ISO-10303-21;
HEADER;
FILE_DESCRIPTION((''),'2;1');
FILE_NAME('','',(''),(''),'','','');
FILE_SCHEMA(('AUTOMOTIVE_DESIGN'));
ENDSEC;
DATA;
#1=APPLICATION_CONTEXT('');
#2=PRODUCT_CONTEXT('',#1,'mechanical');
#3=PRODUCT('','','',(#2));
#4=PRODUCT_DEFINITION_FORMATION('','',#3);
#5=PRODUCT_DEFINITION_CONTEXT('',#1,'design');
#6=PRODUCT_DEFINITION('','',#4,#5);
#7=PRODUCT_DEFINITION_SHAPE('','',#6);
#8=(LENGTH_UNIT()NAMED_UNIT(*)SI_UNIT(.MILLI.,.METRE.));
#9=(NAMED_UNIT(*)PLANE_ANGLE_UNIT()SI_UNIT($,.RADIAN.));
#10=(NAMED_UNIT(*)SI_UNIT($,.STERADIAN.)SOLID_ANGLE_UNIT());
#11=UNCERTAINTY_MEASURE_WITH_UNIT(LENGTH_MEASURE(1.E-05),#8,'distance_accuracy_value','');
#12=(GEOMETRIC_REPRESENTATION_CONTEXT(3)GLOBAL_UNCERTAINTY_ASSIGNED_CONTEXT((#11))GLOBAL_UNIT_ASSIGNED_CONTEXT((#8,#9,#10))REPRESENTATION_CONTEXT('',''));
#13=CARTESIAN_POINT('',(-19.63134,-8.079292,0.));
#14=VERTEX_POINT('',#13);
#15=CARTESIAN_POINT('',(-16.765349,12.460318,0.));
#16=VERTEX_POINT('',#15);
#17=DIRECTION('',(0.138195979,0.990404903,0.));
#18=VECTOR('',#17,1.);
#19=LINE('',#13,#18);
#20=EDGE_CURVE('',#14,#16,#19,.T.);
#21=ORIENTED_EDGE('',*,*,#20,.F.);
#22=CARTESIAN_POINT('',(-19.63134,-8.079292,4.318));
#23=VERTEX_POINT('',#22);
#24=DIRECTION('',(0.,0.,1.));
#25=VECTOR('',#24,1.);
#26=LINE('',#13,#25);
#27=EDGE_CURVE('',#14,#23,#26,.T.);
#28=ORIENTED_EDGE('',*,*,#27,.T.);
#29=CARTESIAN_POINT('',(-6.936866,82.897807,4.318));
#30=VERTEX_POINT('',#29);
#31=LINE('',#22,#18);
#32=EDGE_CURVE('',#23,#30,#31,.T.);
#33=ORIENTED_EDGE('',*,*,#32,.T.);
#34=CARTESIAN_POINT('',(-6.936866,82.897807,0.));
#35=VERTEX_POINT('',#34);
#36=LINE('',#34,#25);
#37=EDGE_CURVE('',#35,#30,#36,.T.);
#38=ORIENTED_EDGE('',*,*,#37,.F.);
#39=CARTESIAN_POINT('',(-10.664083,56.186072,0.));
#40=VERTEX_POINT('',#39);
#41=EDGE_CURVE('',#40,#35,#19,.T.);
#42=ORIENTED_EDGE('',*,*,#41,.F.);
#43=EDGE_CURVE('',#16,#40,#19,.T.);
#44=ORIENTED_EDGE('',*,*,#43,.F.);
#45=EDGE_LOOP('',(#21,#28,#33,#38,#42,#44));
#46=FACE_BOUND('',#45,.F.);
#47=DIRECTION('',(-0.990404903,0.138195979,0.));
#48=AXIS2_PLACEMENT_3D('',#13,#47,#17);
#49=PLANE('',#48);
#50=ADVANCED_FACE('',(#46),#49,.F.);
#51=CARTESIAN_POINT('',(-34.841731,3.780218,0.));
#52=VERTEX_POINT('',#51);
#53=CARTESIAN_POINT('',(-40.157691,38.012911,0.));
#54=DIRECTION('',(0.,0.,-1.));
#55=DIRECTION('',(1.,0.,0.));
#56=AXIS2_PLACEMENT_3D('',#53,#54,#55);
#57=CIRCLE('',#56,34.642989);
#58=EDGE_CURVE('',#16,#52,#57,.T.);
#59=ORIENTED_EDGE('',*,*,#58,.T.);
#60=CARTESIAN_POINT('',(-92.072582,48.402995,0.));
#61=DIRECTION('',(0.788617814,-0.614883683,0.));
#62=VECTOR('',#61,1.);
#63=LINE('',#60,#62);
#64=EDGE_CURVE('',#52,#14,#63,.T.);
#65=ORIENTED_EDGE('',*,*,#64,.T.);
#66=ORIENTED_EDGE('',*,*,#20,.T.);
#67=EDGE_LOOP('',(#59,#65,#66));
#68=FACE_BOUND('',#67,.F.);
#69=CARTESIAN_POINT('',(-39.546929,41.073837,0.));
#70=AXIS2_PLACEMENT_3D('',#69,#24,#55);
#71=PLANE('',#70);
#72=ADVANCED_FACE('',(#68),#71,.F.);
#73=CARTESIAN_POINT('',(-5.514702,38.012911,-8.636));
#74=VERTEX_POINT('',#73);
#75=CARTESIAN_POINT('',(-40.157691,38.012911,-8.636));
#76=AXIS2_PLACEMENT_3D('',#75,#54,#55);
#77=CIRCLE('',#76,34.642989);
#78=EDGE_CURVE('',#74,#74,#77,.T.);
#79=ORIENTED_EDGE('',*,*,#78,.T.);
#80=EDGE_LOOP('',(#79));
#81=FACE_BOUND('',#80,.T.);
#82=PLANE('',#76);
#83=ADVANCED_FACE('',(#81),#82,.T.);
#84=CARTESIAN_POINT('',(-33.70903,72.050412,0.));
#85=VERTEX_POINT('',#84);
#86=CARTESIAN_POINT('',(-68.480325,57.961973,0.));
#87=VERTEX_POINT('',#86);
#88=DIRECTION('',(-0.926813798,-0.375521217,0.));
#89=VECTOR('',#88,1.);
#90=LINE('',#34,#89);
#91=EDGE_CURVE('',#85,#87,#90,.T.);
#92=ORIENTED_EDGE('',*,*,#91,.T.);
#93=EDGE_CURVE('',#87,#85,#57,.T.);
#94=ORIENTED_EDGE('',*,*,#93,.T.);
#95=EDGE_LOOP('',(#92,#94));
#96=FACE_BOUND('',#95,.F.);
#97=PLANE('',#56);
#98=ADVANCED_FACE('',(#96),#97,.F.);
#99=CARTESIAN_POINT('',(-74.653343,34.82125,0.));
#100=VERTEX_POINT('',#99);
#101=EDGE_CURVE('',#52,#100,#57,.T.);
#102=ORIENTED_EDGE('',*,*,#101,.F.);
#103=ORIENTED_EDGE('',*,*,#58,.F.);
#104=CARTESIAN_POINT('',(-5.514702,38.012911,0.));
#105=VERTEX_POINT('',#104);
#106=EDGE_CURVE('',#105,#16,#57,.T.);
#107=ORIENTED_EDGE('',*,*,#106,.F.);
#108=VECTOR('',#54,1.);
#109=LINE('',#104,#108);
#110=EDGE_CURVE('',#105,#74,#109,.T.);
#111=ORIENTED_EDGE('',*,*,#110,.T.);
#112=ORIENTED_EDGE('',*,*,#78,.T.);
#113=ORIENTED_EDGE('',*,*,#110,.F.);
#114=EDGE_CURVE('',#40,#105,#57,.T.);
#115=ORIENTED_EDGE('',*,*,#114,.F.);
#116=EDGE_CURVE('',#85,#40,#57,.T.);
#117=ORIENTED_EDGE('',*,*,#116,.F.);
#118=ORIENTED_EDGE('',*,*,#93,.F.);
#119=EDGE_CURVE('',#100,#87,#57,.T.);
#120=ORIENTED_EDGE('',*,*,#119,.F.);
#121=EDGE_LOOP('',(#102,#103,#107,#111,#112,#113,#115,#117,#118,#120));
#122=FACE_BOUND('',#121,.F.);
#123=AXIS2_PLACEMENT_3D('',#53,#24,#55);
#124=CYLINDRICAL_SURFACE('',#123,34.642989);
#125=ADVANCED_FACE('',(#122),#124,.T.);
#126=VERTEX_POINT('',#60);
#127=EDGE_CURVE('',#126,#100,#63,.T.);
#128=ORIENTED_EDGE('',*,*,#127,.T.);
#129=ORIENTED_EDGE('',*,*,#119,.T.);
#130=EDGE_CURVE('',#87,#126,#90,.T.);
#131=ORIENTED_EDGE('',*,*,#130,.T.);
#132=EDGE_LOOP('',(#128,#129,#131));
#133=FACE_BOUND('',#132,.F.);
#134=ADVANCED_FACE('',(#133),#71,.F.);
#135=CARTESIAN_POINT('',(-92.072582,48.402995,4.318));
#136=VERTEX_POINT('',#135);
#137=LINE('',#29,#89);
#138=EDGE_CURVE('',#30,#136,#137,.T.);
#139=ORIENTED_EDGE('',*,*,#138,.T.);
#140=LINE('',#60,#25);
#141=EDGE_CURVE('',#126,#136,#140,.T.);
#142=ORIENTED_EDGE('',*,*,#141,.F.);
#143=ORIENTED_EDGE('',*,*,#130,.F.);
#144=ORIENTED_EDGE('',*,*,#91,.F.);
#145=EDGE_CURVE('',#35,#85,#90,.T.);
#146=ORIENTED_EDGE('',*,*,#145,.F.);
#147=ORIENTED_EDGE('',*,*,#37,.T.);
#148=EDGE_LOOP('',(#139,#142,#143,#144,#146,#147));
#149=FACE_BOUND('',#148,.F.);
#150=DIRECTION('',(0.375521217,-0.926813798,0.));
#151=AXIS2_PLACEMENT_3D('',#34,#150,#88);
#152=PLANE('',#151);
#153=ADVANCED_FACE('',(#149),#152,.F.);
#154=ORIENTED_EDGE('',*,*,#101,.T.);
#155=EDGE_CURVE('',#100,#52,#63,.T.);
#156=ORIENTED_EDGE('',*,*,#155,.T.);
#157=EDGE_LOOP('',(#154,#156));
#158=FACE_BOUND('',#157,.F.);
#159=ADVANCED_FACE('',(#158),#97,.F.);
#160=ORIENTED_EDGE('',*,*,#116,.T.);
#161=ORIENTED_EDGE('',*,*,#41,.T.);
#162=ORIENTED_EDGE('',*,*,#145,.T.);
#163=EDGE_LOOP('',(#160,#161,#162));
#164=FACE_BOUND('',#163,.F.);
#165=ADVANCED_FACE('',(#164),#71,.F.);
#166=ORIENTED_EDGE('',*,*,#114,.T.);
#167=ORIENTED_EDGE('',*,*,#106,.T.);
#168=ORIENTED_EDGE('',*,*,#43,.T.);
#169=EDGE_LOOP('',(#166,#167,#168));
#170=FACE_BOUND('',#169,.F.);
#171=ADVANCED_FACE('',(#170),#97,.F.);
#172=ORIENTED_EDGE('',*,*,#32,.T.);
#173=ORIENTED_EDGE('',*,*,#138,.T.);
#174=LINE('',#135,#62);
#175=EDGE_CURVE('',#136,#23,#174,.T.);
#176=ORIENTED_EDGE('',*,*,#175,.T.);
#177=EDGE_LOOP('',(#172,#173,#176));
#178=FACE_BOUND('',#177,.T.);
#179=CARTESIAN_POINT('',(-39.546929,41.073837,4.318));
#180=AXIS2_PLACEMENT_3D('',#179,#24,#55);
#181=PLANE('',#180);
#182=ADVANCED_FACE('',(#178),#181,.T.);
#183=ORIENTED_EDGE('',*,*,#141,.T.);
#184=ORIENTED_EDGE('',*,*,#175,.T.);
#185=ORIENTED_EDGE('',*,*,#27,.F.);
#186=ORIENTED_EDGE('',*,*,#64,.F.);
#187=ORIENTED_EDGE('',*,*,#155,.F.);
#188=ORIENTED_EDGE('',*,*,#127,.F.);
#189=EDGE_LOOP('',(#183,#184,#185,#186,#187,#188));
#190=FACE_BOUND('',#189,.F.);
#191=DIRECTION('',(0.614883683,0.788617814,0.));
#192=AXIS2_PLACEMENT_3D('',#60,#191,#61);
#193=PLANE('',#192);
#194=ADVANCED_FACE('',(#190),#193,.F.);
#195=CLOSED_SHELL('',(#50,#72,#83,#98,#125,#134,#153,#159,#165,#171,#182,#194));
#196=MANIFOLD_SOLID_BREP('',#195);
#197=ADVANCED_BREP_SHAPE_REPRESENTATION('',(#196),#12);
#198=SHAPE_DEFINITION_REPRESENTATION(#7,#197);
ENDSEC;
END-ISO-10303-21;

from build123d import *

# Parameters (mm, degrees)
F1_DEPTH = 4.318
F2_R     = 34.642989
F3_DEPTH = 8.636


with BuildPart() as f1:
    # F0 (on Top) → F1 (new body)
    with BuildSketch(Plane.XY):
        Polygon((-19.63134, -8.079292), (-6.936866, 82.897807), (-92.072582, 48.402995), align=None)
    extrude(amount=F1_DEPTH)

    # F2 (on face) → F3 (join)
    with BuildSketch(Plane(origin=(0, 0, 0), x_dir=(1, 0, 0), z_dir=(0, 0, -1))):
        with Locations((-40.157691, -38.012911)):
            Circle(F2_R)
    extrude(amount=F3_DEPTH)


solid = f1.part
